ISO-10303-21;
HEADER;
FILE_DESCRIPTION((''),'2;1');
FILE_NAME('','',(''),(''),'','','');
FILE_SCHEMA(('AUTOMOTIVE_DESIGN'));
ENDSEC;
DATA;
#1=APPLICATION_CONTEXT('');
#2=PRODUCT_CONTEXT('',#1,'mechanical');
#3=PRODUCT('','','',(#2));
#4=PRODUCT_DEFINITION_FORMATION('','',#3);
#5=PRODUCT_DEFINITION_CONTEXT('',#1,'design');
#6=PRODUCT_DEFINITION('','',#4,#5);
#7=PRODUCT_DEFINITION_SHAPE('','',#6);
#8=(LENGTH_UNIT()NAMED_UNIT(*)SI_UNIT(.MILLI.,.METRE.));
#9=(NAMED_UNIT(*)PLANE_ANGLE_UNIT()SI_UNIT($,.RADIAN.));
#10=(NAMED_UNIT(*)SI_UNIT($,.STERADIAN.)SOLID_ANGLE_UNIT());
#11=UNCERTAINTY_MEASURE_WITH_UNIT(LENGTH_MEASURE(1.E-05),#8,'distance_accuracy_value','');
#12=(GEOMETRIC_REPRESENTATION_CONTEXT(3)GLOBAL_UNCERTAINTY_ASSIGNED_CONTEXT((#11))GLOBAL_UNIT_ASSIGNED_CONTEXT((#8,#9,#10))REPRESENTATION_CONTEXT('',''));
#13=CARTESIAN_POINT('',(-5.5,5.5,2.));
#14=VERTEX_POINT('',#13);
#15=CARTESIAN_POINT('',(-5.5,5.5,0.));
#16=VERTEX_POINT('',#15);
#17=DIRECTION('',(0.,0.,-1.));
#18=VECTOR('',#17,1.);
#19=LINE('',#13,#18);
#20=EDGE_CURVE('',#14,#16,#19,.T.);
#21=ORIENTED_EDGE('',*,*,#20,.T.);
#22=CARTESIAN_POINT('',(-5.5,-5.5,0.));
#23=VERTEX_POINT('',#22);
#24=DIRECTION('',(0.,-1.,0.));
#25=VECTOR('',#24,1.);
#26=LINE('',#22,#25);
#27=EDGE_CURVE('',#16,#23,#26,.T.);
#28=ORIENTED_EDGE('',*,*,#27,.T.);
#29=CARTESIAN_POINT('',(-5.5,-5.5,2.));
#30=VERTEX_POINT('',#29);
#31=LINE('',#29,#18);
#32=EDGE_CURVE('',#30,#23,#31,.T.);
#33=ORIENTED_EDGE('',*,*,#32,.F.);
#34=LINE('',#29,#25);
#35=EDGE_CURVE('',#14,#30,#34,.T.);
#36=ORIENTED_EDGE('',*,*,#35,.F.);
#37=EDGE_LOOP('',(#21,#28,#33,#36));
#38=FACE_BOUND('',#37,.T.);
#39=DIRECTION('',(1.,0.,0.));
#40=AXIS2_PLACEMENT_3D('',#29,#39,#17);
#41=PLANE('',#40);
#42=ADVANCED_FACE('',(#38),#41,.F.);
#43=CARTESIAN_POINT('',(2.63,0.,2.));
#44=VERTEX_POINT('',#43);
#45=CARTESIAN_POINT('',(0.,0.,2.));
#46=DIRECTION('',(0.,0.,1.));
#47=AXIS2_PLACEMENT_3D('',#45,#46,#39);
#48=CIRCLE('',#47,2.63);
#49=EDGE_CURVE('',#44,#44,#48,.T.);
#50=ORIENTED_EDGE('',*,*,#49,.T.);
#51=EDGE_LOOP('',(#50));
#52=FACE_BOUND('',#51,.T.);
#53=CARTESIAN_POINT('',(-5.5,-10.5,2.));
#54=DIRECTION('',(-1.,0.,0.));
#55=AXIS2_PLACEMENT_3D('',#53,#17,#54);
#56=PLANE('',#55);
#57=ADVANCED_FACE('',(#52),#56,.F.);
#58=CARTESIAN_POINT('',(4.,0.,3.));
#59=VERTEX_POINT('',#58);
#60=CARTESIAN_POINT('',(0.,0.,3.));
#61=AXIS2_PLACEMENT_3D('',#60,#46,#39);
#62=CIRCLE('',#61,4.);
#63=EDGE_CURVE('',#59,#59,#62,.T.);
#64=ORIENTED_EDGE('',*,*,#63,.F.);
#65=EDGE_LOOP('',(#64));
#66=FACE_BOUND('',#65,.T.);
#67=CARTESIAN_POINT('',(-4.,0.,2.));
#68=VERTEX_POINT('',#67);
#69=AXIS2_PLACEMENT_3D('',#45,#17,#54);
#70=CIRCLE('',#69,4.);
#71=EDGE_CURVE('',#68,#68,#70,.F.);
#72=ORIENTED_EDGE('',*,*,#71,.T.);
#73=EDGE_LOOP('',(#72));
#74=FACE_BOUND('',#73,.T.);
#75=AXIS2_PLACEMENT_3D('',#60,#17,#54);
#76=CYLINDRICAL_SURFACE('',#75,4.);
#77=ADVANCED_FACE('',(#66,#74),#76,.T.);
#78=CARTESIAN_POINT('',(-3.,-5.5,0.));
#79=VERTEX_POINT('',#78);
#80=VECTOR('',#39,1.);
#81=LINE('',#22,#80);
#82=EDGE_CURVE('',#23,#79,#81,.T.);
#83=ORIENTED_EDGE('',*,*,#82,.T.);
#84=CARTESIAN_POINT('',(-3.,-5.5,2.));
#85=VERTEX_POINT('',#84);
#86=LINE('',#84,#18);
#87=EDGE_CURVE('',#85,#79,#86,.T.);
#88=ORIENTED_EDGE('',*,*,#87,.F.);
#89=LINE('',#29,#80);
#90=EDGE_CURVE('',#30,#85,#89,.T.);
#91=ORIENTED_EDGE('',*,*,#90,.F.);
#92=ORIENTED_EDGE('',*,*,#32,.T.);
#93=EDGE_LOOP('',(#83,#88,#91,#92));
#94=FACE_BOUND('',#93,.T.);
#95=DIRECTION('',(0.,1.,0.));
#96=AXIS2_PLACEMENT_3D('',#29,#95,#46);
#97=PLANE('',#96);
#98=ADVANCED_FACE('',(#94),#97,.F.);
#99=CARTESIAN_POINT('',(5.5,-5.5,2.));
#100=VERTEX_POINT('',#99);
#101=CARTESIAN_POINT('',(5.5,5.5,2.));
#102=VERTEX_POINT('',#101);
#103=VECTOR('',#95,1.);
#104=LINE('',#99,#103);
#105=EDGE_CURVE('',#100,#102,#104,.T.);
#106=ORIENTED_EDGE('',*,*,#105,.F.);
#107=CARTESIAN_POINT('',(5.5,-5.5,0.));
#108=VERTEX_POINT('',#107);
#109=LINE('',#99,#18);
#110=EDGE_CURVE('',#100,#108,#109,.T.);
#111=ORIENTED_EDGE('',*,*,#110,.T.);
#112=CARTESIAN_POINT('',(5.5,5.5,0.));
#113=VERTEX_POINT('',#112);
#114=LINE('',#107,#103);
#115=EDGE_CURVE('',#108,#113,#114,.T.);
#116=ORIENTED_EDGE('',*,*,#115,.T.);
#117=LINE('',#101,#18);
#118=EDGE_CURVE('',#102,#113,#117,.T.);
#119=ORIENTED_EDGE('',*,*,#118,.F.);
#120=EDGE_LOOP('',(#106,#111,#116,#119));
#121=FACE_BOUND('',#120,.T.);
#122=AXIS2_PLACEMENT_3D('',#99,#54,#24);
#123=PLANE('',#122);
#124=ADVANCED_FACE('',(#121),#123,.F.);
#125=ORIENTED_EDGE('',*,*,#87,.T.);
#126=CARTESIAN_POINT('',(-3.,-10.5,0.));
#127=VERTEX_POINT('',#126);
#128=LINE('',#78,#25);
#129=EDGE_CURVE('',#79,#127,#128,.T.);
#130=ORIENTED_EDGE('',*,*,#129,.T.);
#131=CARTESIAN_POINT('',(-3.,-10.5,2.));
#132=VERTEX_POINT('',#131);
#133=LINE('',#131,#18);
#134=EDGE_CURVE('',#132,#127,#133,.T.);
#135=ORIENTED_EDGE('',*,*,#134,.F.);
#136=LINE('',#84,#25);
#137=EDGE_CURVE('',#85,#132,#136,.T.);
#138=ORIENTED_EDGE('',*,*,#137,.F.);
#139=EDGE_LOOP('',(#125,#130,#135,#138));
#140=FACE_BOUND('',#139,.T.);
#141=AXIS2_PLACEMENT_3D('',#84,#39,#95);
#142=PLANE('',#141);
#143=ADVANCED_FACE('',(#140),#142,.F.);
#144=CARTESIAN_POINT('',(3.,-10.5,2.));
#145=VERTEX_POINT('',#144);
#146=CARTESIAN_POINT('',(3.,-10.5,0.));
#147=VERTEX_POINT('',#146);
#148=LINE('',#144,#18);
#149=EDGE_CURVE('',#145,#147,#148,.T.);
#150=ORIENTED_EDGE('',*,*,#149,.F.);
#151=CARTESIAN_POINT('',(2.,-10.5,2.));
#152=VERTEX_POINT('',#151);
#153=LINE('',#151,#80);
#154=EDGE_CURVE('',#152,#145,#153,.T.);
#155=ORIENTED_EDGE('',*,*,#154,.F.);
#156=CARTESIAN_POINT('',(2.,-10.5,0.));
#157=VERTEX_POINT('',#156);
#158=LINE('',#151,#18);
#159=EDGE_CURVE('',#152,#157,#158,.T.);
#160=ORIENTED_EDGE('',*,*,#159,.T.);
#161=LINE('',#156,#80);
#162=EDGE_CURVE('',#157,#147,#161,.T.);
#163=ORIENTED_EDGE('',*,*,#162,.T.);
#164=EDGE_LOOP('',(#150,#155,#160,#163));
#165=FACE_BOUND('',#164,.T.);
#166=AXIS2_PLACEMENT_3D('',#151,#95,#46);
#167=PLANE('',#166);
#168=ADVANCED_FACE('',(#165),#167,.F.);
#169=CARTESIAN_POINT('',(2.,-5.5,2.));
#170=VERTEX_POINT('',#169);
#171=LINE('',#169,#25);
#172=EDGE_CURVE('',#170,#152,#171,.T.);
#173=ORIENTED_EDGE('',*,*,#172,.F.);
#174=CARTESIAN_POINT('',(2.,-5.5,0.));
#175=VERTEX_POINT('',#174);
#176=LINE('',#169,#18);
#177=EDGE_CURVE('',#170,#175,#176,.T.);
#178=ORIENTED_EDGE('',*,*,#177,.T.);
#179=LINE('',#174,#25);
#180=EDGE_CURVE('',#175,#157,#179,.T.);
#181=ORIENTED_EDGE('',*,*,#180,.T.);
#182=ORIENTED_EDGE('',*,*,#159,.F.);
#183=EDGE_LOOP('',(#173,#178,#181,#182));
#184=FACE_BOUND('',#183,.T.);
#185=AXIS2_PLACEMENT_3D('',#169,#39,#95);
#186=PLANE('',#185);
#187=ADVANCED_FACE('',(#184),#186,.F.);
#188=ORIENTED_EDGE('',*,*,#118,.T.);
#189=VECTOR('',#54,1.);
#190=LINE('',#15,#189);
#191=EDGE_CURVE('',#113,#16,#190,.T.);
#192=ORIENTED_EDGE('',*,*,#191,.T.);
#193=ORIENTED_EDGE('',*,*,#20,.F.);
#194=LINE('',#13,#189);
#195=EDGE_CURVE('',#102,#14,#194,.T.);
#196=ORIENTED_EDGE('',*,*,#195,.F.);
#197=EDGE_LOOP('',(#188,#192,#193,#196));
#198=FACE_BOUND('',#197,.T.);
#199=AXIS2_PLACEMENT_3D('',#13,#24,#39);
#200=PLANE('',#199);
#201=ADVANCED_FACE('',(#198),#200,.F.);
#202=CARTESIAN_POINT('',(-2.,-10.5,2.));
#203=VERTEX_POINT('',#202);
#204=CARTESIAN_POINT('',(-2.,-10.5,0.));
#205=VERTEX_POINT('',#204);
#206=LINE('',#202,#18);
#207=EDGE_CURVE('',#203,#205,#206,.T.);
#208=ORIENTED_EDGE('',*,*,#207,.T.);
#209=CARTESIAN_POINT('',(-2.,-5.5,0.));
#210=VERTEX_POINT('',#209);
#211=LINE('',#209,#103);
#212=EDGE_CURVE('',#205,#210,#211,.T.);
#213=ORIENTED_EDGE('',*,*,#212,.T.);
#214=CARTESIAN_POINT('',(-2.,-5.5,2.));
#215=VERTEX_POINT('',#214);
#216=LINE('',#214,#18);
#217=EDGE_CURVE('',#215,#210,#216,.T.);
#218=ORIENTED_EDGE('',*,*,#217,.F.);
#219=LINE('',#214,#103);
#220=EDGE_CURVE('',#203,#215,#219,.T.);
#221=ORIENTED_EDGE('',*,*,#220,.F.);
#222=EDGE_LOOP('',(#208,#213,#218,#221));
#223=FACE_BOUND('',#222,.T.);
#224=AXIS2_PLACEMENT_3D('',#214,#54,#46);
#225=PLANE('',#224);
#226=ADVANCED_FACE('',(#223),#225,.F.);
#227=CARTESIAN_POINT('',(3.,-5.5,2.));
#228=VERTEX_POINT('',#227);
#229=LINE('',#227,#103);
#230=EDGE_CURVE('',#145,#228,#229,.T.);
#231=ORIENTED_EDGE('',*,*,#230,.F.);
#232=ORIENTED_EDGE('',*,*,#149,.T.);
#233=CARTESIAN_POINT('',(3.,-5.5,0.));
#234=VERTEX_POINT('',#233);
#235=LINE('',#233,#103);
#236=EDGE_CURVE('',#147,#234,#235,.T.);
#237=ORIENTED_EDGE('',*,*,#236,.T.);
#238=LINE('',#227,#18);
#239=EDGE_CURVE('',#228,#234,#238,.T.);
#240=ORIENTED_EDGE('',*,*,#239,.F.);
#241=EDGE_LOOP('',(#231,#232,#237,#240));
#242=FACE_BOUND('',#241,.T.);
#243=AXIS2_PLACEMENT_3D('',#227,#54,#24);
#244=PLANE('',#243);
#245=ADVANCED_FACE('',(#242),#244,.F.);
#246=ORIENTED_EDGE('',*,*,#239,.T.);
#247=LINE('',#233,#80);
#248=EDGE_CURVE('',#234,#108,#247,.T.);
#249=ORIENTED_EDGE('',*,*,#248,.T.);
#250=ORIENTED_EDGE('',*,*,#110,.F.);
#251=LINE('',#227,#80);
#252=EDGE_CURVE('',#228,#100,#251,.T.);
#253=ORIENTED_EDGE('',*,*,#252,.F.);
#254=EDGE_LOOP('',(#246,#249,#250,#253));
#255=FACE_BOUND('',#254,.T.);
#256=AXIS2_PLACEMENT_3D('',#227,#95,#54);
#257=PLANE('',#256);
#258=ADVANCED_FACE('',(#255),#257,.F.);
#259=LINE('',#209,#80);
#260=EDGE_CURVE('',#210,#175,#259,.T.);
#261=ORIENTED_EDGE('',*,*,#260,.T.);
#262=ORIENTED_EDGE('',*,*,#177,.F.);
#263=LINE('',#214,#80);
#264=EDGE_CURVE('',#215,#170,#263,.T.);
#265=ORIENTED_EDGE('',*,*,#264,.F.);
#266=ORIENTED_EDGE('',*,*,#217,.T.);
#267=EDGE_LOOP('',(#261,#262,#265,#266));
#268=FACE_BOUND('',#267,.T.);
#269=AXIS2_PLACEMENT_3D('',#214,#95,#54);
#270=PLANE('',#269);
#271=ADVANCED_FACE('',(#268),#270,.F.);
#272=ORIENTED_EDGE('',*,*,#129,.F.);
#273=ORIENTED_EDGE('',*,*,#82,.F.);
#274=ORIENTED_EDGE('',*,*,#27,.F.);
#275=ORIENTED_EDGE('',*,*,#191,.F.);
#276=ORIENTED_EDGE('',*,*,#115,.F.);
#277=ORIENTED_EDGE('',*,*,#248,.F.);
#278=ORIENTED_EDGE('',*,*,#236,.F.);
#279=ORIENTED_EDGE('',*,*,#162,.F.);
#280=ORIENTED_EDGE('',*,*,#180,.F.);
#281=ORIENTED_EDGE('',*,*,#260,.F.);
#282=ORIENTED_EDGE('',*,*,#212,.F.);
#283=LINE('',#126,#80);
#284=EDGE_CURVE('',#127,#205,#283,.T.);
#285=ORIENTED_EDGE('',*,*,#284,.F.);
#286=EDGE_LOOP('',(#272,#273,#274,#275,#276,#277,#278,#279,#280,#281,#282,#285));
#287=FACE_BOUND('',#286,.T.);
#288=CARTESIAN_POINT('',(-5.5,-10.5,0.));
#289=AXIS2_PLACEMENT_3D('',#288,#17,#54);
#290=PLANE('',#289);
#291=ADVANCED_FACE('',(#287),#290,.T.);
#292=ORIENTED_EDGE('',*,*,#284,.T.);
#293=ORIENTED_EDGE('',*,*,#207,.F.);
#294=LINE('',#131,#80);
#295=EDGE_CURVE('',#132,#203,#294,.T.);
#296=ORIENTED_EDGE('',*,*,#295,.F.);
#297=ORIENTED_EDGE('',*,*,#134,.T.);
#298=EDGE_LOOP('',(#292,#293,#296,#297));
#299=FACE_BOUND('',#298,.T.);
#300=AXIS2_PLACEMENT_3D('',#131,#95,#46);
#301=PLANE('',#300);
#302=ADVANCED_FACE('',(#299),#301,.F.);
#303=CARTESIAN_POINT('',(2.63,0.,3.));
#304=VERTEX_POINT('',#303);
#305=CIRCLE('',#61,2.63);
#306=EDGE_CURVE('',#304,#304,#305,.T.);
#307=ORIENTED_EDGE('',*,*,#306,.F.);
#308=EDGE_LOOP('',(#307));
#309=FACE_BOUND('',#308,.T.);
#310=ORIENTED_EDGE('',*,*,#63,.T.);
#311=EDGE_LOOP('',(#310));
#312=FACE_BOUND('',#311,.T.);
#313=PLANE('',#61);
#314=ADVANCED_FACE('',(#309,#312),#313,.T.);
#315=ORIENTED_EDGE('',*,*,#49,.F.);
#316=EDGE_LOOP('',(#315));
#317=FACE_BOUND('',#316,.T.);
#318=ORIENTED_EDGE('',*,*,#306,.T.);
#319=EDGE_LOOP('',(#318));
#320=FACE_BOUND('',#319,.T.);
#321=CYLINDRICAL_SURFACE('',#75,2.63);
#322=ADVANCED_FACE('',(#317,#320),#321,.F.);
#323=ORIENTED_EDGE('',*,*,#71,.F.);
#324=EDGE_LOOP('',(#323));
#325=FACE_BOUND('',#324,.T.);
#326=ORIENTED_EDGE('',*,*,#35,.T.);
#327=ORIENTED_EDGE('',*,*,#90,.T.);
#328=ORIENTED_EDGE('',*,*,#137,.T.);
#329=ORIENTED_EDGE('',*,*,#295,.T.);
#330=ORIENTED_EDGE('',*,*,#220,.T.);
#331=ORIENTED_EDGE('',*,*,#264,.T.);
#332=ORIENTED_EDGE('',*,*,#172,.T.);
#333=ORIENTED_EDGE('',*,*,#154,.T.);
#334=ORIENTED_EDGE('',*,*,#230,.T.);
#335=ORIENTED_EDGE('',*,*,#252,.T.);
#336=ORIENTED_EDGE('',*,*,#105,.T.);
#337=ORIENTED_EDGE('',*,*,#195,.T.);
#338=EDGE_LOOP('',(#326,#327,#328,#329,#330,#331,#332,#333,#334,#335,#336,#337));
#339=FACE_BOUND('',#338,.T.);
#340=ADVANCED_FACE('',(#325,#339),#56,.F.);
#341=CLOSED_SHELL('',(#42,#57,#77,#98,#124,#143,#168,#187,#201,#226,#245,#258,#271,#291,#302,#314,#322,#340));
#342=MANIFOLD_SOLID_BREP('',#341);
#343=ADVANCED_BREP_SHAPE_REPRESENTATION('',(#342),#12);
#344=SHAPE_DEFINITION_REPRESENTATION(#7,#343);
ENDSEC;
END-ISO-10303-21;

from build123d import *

# Parameters (mm, degrees)
EXTRUDE1_DEPTH = 2
SKETCH2_R      = 4
SKETCH2_R_2    = 2.63
EXTRUDE2_DEPTH = 1


with BuildPart() as part:
    # Sketch1 → Extrude1 (new body)
    with BuildSketch(Plane.XY):
        Polygon((-2, -5.5), (2, -5.5), (2, -10.5), (3, -10.5), (3, -5.5), (5.5, -5.5), (5.5, 5.5), (-5.5, 5.5), (-5.5, -5.5), (-3, -5.5), (-3, -10.5), (-2, -10.5), align=None)
    extrude(amount=EXTRUDE1_DEPTH)

    # Sketch2 → Extrude2 (add)
    with BuildSketch(Plane.XY.offset(2)):
        with Locations(Location((0, 0, 0), (0, 0, 180))):  # turned: the seam where the file's is
            Circle(SKETCH2_R)
        Circle(SKETCH2_R_2, mode=Mode.SUBTRACT)
    extrude(amount=EXTRUDE2_DEPTH)


solid = part.part
